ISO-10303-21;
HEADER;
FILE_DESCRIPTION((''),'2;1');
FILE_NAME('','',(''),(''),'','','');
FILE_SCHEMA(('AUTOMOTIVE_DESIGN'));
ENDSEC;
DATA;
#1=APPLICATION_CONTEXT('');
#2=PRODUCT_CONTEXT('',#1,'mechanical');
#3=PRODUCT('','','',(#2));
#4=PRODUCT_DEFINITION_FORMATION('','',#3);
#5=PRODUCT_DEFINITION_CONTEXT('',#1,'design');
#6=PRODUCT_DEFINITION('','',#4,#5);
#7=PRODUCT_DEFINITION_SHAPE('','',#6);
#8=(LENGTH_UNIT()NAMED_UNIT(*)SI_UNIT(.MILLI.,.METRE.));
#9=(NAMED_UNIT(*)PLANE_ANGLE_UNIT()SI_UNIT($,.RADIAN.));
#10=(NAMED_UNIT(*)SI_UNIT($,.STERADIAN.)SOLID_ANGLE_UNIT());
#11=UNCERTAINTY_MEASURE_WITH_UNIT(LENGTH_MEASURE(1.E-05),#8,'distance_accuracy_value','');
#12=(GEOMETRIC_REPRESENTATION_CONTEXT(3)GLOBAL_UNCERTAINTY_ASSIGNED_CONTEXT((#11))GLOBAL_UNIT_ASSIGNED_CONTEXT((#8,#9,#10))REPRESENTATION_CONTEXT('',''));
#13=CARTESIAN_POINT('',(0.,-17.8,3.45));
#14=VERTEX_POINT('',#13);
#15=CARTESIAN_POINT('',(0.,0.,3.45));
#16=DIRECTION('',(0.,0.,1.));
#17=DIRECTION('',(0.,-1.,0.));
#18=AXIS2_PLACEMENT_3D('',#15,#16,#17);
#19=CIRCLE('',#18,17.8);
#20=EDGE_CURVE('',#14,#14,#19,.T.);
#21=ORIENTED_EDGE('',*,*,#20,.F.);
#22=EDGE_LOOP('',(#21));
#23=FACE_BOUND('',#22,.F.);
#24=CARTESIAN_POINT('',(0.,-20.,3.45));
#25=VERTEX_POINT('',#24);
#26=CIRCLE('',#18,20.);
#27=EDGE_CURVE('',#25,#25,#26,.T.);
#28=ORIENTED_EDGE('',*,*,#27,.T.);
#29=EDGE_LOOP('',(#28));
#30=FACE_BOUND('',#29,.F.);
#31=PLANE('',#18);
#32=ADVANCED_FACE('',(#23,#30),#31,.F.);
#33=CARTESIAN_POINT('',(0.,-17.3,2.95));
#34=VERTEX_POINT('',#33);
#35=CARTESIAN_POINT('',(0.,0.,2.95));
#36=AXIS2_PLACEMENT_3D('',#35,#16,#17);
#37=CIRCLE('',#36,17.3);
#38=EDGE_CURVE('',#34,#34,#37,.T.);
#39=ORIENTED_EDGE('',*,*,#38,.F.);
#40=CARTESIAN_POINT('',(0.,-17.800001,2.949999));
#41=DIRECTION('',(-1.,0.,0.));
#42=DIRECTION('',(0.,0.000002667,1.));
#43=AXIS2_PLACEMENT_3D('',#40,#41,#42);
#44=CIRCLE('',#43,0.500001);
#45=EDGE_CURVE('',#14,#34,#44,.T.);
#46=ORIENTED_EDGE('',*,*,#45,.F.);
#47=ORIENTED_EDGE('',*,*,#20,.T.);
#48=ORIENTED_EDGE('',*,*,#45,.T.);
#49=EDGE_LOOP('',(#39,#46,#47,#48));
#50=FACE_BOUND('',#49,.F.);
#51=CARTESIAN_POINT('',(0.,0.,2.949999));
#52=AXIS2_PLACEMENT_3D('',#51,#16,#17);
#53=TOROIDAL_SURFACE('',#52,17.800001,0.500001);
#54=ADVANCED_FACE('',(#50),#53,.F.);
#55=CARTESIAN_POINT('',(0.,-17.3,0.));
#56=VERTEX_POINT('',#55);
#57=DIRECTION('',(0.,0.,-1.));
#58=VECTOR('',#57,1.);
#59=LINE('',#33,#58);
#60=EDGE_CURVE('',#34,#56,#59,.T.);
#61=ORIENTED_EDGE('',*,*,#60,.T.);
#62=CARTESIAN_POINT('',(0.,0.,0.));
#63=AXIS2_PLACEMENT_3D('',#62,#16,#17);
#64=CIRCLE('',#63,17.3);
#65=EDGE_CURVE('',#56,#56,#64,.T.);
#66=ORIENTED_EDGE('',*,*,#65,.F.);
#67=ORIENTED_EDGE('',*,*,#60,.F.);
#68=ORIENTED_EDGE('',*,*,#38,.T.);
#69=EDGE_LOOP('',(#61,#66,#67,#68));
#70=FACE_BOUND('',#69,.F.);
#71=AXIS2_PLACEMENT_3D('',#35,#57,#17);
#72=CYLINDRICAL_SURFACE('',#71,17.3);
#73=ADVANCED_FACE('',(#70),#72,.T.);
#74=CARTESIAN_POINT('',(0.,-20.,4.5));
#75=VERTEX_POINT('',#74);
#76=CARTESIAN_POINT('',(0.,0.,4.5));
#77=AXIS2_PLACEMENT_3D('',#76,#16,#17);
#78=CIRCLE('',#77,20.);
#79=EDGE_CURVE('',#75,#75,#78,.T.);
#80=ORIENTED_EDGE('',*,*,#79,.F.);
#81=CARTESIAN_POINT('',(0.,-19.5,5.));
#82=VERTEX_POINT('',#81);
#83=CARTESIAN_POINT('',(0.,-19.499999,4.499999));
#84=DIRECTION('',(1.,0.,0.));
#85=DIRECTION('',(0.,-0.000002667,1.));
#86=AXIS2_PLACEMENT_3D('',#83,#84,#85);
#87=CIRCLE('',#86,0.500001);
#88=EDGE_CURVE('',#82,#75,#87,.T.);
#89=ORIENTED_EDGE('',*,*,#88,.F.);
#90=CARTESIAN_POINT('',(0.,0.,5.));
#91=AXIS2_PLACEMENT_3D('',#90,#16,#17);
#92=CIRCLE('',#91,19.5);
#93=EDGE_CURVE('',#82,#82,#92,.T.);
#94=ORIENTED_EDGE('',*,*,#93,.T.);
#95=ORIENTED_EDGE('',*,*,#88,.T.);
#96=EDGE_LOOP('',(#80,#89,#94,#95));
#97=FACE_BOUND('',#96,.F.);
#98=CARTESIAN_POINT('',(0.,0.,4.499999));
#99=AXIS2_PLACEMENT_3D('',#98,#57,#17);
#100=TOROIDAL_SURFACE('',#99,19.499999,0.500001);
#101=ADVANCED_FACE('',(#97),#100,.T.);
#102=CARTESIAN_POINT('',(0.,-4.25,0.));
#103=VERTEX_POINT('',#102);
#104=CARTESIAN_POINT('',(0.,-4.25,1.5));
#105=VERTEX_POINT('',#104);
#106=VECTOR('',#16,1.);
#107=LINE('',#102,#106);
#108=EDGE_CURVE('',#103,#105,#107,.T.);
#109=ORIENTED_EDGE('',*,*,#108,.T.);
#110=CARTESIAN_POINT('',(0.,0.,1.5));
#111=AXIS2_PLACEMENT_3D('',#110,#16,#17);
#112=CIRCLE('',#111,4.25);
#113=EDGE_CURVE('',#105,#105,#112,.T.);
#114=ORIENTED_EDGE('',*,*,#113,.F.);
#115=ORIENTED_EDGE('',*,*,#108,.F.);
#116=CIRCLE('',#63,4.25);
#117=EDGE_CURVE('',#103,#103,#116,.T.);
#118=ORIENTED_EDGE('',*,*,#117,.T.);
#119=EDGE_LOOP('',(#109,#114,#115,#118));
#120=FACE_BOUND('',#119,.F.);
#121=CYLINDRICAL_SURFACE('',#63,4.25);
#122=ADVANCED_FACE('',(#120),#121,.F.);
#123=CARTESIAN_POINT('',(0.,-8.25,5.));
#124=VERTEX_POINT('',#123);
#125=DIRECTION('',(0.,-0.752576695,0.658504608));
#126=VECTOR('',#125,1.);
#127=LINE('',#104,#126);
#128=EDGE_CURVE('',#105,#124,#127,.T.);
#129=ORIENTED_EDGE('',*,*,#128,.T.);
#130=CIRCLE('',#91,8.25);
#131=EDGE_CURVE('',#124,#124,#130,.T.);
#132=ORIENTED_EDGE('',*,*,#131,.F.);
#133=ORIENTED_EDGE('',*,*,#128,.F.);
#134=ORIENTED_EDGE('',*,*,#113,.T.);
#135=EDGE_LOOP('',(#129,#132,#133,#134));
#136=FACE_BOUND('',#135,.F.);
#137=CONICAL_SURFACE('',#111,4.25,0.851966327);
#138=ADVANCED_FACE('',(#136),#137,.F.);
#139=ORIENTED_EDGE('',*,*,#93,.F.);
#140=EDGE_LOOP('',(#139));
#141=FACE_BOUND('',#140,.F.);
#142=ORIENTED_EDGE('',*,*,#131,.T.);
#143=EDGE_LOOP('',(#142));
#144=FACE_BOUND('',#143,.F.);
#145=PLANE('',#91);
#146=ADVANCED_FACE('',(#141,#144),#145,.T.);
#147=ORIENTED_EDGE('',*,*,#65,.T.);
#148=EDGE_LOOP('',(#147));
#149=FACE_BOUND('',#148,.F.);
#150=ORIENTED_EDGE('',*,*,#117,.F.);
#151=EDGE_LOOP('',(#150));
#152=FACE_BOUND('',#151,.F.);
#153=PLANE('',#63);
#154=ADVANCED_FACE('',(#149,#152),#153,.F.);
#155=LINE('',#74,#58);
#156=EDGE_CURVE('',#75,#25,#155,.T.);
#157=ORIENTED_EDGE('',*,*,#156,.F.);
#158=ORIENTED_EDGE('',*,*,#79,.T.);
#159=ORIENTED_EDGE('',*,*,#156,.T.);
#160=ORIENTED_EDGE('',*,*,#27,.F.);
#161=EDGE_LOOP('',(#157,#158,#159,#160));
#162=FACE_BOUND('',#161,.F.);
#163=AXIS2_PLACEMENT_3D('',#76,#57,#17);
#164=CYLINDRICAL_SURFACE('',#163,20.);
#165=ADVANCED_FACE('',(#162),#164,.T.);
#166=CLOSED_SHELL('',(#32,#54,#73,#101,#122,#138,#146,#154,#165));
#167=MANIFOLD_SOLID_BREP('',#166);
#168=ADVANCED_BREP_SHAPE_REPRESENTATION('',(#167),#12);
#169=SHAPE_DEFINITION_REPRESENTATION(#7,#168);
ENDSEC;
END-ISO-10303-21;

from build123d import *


with BuildPart() as f1:
    # F0 (on Right) → F1 (revolve)
    with BuildSketch(Plane.YZ):
        with BuildLine():
            Line((-17.3, 0), (-4.25, 0))
            Line((-4.25, 0), (-4.25, 1.5))
            Line((-4.25, 1.5), (-8.25, 5))
            Line((-8.25, 5), (-19.5, 5))
            ThreePointArc((-19.5, 5), (-19.853553, 4.853553), (-20, 4.5))
            Line((-20, 4.5), (-20, 3.45))
            Line((-20, 3.45), (-17.8, 3.45))
            ThreePointArc((-17.8, 3.45), (-17.446447, 3.303553), (-17.3, 2.95))
            Line((-17.3, 2.95), (-17.3, 0))
        make_face()
    revolve(axis=Axis((0, 0, 2.5), (0, 0, 1)))


solid = f1.part
